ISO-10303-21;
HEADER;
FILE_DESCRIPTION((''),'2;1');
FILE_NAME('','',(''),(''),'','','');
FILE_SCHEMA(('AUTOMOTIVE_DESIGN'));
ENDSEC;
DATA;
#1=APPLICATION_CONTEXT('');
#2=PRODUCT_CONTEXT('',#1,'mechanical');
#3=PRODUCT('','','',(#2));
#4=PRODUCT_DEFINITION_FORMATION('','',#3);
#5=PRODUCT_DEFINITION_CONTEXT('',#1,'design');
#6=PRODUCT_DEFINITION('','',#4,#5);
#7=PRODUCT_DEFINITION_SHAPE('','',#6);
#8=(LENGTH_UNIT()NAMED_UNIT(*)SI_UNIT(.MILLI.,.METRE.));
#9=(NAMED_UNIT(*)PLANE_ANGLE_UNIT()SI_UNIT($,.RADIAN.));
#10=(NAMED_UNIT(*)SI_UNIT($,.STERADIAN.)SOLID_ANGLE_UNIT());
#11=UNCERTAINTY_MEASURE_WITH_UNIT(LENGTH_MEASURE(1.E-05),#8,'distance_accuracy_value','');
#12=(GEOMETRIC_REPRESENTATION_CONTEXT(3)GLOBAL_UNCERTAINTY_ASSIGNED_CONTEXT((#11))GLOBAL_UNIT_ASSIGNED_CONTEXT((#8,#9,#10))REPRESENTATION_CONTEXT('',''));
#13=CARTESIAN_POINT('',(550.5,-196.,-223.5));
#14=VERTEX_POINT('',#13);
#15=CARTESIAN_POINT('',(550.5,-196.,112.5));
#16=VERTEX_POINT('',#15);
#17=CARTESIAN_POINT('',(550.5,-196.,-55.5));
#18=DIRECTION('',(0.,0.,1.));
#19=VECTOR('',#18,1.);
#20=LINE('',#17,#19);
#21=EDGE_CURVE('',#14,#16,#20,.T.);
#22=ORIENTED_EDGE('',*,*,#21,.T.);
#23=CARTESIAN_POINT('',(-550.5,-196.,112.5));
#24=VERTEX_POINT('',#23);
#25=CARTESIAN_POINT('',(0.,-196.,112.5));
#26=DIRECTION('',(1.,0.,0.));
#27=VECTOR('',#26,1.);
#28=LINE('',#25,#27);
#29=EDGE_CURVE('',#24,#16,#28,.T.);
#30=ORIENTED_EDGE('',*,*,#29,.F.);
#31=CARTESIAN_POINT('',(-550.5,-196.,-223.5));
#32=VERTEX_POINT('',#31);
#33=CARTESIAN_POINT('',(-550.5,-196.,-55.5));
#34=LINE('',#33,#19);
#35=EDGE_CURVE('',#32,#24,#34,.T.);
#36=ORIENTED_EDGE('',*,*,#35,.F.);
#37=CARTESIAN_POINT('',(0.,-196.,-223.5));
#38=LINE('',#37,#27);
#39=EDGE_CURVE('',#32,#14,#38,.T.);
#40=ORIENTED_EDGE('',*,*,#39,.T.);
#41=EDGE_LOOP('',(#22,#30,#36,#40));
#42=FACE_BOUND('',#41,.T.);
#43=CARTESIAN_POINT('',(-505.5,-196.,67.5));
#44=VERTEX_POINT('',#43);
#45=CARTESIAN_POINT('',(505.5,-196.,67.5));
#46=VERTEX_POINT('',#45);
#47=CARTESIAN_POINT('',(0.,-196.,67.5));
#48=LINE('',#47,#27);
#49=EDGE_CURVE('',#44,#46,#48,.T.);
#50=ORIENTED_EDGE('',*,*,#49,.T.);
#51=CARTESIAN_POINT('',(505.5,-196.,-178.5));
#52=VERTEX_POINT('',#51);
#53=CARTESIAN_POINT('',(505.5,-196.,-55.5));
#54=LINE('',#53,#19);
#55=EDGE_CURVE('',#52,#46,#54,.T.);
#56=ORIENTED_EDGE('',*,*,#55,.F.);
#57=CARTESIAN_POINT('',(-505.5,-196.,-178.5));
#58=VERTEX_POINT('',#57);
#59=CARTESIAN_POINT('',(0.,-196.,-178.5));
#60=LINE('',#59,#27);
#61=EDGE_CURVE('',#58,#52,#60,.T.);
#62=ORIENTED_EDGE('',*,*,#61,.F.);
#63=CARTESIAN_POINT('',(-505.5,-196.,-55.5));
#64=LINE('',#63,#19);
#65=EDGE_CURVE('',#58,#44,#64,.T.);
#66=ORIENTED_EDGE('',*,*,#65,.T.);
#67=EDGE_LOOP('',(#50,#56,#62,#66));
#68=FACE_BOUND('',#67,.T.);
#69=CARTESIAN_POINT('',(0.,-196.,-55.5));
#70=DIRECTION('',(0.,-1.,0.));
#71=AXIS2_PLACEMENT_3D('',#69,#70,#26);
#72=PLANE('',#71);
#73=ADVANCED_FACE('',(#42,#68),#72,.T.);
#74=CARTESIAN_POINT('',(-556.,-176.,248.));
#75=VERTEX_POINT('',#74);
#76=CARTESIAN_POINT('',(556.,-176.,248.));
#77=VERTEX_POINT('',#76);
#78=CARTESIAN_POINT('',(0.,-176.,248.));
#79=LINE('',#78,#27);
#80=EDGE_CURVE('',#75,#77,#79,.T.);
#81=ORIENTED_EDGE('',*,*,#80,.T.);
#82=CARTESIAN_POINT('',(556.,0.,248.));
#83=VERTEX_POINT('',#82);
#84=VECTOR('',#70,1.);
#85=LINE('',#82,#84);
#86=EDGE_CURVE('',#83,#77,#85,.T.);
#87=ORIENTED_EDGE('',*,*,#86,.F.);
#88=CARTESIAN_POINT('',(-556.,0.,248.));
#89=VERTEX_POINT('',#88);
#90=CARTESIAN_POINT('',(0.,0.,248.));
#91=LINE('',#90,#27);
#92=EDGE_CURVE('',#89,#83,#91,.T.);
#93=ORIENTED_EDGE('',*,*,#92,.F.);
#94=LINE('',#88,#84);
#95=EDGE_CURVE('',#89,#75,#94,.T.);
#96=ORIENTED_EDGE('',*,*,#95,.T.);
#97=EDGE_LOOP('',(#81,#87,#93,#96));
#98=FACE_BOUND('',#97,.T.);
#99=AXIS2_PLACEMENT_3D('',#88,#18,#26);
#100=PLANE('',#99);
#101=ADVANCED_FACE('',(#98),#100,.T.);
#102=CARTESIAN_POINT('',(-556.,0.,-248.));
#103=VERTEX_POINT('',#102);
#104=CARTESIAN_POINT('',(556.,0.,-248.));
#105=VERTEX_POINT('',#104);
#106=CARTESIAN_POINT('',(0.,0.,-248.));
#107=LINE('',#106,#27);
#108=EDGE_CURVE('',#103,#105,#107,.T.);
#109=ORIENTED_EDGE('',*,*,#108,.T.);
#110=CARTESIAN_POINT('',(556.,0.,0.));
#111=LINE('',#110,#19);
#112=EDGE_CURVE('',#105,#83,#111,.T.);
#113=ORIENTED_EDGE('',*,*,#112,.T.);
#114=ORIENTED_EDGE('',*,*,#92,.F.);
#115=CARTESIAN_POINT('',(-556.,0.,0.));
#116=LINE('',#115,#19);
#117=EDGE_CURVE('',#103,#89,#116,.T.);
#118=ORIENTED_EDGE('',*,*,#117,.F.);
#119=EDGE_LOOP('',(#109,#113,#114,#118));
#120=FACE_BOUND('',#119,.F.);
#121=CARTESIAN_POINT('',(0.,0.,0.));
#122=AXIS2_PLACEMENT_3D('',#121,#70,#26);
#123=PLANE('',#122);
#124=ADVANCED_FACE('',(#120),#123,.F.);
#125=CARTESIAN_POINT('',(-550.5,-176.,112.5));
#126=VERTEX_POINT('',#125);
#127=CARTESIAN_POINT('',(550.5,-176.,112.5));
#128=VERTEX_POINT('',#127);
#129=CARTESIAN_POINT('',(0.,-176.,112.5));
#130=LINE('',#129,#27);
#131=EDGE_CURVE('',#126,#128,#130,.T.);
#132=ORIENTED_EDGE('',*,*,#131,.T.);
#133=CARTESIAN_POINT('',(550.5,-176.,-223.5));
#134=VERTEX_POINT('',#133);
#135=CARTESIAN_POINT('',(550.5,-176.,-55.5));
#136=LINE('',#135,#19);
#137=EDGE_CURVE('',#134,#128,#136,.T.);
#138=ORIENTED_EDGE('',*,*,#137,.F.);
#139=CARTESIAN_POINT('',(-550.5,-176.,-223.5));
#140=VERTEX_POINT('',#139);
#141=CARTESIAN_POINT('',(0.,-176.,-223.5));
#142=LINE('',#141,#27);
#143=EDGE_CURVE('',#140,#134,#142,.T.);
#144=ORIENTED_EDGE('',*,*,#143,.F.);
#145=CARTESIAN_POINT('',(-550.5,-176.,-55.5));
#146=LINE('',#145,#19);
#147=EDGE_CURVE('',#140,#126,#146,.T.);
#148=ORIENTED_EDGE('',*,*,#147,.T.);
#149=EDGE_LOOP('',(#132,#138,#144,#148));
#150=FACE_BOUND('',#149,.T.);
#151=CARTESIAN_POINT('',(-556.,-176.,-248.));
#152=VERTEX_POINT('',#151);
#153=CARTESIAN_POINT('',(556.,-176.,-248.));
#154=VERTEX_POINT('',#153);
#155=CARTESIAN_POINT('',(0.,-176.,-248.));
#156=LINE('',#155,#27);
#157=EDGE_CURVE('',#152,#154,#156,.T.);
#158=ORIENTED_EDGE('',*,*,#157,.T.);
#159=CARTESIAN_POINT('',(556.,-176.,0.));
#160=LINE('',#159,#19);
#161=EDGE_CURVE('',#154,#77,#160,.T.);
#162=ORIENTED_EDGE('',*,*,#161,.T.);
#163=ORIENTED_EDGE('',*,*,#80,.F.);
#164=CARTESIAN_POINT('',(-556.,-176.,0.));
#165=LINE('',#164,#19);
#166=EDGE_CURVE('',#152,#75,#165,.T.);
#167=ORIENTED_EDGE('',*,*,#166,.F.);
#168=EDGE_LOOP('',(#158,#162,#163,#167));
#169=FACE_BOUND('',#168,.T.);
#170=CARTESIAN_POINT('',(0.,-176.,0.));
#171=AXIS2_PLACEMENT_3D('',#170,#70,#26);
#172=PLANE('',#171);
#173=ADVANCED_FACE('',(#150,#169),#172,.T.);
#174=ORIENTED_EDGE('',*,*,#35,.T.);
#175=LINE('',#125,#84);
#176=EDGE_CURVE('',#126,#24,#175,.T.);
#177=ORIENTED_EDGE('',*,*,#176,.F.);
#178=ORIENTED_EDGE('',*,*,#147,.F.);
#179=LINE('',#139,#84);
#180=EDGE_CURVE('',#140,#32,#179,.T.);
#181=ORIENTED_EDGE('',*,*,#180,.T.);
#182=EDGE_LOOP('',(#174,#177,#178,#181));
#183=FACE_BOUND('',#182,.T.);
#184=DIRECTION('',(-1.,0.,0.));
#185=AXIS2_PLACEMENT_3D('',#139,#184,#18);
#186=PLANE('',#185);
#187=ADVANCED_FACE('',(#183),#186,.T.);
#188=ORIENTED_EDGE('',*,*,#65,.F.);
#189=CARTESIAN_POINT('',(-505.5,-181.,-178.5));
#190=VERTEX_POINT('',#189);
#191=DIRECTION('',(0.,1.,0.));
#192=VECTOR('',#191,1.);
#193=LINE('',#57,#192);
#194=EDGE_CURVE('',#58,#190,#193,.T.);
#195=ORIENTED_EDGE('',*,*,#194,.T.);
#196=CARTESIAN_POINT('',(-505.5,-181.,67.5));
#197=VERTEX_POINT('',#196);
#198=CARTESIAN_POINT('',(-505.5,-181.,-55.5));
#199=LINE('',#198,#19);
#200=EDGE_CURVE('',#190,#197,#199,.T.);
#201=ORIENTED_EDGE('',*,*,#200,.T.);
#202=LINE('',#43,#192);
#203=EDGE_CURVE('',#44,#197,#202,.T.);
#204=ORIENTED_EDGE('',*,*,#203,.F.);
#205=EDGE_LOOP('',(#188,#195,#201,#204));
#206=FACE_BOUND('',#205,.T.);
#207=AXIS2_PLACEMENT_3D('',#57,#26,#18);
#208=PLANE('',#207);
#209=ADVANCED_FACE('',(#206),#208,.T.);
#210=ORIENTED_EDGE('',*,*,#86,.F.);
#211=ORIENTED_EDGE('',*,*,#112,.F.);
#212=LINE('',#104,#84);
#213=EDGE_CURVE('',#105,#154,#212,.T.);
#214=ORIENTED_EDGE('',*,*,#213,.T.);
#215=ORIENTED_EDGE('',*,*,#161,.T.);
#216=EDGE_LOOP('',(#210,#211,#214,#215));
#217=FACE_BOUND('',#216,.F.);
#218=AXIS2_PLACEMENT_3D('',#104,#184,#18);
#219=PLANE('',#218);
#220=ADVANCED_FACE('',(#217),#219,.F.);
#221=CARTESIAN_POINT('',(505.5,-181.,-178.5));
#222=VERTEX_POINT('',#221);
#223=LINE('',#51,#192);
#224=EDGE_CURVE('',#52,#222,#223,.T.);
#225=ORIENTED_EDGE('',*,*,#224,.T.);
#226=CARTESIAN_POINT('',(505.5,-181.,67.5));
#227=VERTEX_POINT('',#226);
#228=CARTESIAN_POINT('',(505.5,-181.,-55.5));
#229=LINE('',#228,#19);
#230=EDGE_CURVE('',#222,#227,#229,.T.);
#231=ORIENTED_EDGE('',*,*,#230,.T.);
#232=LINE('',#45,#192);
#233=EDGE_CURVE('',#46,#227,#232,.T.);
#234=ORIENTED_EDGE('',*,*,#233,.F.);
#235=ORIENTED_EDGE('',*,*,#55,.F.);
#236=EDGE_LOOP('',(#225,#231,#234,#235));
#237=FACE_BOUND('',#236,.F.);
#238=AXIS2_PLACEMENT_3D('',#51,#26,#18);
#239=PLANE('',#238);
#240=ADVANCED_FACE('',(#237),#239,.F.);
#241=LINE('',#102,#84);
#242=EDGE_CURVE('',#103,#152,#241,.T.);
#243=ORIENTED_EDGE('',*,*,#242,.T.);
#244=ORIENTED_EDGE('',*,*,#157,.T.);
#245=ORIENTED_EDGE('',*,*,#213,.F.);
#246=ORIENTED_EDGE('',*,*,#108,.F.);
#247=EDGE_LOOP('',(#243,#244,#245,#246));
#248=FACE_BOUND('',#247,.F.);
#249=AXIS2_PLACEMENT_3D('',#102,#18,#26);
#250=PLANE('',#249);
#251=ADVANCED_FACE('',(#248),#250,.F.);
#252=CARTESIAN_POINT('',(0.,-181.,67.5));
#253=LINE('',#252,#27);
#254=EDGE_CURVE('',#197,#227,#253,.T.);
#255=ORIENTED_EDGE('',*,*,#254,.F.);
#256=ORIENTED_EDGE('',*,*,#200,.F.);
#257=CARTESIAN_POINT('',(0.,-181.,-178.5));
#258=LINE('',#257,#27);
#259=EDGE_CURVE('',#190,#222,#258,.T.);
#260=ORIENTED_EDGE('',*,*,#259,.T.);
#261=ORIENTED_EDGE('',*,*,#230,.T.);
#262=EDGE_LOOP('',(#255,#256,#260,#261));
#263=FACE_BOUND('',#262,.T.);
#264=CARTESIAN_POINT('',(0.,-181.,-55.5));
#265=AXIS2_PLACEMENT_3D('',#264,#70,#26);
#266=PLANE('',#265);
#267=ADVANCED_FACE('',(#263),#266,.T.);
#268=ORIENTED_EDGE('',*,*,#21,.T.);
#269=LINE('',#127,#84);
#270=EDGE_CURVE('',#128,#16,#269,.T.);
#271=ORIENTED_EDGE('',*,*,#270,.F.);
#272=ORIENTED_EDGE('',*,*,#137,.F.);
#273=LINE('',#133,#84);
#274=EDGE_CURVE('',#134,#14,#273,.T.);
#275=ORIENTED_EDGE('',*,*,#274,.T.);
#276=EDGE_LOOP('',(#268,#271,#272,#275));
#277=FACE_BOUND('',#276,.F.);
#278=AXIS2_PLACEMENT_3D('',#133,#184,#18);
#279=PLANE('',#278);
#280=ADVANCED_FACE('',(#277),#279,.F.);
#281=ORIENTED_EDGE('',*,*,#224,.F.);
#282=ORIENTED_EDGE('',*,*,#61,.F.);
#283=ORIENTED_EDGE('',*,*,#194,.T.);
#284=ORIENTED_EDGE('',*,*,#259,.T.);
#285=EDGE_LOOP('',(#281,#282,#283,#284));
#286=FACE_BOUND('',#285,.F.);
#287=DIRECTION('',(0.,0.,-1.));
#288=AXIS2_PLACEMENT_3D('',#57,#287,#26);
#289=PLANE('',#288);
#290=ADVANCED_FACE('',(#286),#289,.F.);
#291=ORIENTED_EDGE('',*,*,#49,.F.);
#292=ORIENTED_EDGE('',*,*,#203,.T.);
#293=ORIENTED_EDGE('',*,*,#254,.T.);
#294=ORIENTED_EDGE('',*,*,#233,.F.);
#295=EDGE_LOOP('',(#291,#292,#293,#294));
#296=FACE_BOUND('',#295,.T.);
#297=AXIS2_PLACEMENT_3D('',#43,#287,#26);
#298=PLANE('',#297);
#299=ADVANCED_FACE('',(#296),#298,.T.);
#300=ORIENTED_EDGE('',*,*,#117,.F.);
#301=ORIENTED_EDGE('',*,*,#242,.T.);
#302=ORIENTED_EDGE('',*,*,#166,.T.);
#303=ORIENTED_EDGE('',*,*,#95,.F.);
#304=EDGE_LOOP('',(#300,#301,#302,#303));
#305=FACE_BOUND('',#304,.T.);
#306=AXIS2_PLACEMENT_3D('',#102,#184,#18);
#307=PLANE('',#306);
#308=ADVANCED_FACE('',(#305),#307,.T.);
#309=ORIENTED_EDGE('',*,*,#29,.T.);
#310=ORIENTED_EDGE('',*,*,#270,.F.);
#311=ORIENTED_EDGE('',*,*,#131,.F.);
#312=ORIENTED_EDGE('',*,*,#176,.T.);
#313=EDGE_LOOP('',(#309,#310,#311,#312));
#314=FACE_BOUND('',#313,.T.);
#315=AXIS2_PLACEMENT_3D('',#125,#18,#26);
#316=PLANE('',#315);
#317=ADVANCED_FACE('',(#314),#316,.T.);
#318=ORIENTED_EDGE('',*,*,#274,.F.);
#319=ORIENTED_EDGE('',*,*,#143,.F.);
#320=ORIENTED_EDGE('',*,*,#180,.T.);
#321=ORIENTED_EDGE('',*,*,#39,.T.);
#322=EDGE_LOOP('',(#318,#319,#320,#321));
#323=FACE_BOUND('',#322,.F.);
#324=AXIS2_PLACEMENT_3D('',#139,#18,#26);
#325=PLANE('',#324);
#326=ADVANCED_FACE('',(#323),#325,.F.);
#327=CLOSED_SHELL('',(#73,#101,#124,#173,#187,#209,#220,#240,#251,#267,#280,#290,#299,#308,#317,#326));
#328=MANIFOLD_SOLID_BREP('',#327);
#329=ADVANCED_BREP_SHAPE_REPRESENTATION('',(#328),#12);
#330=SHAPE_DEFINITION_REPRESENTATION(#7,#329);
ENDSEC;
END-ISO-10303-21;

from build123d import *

# Parameters (mm, degrees)
F0_W     = 1112
F0_H     = 496
F1_DEPTH = 176
F2_W     = 1101
F2_H     = 336
F3_DEPTH = 20
F4_W     = 1011
F4_H     = 246
F5_DEPTH = 15


with BuildPart() as f1:
    # F0 (on Front) → F1 (new body)
    with BuildSketch(Plane.XZ):
        Rectangle(F0_W, F0_H)
    extrude(amount=F1_DEPTH)

    # F2 (on face) → F3 (join)
    with BuildSketch(Plane.XZ.offset(176)):
        with Locations((0, -55.5)):
            Rectangle(F2_W, F2_H)
    extrude(amount=F3_DEPTH)

    # F4 (on face) → F5 (cut)
    with BuildSketch(Plane.XZ.offset(196)):
        with Locations((0, -55.5)):
            Rectangle(F4_W, F4_H)
    extrude(amount=-F5_DEPTH, mode=Mode.SUBTRACT)


solid = f1.part
